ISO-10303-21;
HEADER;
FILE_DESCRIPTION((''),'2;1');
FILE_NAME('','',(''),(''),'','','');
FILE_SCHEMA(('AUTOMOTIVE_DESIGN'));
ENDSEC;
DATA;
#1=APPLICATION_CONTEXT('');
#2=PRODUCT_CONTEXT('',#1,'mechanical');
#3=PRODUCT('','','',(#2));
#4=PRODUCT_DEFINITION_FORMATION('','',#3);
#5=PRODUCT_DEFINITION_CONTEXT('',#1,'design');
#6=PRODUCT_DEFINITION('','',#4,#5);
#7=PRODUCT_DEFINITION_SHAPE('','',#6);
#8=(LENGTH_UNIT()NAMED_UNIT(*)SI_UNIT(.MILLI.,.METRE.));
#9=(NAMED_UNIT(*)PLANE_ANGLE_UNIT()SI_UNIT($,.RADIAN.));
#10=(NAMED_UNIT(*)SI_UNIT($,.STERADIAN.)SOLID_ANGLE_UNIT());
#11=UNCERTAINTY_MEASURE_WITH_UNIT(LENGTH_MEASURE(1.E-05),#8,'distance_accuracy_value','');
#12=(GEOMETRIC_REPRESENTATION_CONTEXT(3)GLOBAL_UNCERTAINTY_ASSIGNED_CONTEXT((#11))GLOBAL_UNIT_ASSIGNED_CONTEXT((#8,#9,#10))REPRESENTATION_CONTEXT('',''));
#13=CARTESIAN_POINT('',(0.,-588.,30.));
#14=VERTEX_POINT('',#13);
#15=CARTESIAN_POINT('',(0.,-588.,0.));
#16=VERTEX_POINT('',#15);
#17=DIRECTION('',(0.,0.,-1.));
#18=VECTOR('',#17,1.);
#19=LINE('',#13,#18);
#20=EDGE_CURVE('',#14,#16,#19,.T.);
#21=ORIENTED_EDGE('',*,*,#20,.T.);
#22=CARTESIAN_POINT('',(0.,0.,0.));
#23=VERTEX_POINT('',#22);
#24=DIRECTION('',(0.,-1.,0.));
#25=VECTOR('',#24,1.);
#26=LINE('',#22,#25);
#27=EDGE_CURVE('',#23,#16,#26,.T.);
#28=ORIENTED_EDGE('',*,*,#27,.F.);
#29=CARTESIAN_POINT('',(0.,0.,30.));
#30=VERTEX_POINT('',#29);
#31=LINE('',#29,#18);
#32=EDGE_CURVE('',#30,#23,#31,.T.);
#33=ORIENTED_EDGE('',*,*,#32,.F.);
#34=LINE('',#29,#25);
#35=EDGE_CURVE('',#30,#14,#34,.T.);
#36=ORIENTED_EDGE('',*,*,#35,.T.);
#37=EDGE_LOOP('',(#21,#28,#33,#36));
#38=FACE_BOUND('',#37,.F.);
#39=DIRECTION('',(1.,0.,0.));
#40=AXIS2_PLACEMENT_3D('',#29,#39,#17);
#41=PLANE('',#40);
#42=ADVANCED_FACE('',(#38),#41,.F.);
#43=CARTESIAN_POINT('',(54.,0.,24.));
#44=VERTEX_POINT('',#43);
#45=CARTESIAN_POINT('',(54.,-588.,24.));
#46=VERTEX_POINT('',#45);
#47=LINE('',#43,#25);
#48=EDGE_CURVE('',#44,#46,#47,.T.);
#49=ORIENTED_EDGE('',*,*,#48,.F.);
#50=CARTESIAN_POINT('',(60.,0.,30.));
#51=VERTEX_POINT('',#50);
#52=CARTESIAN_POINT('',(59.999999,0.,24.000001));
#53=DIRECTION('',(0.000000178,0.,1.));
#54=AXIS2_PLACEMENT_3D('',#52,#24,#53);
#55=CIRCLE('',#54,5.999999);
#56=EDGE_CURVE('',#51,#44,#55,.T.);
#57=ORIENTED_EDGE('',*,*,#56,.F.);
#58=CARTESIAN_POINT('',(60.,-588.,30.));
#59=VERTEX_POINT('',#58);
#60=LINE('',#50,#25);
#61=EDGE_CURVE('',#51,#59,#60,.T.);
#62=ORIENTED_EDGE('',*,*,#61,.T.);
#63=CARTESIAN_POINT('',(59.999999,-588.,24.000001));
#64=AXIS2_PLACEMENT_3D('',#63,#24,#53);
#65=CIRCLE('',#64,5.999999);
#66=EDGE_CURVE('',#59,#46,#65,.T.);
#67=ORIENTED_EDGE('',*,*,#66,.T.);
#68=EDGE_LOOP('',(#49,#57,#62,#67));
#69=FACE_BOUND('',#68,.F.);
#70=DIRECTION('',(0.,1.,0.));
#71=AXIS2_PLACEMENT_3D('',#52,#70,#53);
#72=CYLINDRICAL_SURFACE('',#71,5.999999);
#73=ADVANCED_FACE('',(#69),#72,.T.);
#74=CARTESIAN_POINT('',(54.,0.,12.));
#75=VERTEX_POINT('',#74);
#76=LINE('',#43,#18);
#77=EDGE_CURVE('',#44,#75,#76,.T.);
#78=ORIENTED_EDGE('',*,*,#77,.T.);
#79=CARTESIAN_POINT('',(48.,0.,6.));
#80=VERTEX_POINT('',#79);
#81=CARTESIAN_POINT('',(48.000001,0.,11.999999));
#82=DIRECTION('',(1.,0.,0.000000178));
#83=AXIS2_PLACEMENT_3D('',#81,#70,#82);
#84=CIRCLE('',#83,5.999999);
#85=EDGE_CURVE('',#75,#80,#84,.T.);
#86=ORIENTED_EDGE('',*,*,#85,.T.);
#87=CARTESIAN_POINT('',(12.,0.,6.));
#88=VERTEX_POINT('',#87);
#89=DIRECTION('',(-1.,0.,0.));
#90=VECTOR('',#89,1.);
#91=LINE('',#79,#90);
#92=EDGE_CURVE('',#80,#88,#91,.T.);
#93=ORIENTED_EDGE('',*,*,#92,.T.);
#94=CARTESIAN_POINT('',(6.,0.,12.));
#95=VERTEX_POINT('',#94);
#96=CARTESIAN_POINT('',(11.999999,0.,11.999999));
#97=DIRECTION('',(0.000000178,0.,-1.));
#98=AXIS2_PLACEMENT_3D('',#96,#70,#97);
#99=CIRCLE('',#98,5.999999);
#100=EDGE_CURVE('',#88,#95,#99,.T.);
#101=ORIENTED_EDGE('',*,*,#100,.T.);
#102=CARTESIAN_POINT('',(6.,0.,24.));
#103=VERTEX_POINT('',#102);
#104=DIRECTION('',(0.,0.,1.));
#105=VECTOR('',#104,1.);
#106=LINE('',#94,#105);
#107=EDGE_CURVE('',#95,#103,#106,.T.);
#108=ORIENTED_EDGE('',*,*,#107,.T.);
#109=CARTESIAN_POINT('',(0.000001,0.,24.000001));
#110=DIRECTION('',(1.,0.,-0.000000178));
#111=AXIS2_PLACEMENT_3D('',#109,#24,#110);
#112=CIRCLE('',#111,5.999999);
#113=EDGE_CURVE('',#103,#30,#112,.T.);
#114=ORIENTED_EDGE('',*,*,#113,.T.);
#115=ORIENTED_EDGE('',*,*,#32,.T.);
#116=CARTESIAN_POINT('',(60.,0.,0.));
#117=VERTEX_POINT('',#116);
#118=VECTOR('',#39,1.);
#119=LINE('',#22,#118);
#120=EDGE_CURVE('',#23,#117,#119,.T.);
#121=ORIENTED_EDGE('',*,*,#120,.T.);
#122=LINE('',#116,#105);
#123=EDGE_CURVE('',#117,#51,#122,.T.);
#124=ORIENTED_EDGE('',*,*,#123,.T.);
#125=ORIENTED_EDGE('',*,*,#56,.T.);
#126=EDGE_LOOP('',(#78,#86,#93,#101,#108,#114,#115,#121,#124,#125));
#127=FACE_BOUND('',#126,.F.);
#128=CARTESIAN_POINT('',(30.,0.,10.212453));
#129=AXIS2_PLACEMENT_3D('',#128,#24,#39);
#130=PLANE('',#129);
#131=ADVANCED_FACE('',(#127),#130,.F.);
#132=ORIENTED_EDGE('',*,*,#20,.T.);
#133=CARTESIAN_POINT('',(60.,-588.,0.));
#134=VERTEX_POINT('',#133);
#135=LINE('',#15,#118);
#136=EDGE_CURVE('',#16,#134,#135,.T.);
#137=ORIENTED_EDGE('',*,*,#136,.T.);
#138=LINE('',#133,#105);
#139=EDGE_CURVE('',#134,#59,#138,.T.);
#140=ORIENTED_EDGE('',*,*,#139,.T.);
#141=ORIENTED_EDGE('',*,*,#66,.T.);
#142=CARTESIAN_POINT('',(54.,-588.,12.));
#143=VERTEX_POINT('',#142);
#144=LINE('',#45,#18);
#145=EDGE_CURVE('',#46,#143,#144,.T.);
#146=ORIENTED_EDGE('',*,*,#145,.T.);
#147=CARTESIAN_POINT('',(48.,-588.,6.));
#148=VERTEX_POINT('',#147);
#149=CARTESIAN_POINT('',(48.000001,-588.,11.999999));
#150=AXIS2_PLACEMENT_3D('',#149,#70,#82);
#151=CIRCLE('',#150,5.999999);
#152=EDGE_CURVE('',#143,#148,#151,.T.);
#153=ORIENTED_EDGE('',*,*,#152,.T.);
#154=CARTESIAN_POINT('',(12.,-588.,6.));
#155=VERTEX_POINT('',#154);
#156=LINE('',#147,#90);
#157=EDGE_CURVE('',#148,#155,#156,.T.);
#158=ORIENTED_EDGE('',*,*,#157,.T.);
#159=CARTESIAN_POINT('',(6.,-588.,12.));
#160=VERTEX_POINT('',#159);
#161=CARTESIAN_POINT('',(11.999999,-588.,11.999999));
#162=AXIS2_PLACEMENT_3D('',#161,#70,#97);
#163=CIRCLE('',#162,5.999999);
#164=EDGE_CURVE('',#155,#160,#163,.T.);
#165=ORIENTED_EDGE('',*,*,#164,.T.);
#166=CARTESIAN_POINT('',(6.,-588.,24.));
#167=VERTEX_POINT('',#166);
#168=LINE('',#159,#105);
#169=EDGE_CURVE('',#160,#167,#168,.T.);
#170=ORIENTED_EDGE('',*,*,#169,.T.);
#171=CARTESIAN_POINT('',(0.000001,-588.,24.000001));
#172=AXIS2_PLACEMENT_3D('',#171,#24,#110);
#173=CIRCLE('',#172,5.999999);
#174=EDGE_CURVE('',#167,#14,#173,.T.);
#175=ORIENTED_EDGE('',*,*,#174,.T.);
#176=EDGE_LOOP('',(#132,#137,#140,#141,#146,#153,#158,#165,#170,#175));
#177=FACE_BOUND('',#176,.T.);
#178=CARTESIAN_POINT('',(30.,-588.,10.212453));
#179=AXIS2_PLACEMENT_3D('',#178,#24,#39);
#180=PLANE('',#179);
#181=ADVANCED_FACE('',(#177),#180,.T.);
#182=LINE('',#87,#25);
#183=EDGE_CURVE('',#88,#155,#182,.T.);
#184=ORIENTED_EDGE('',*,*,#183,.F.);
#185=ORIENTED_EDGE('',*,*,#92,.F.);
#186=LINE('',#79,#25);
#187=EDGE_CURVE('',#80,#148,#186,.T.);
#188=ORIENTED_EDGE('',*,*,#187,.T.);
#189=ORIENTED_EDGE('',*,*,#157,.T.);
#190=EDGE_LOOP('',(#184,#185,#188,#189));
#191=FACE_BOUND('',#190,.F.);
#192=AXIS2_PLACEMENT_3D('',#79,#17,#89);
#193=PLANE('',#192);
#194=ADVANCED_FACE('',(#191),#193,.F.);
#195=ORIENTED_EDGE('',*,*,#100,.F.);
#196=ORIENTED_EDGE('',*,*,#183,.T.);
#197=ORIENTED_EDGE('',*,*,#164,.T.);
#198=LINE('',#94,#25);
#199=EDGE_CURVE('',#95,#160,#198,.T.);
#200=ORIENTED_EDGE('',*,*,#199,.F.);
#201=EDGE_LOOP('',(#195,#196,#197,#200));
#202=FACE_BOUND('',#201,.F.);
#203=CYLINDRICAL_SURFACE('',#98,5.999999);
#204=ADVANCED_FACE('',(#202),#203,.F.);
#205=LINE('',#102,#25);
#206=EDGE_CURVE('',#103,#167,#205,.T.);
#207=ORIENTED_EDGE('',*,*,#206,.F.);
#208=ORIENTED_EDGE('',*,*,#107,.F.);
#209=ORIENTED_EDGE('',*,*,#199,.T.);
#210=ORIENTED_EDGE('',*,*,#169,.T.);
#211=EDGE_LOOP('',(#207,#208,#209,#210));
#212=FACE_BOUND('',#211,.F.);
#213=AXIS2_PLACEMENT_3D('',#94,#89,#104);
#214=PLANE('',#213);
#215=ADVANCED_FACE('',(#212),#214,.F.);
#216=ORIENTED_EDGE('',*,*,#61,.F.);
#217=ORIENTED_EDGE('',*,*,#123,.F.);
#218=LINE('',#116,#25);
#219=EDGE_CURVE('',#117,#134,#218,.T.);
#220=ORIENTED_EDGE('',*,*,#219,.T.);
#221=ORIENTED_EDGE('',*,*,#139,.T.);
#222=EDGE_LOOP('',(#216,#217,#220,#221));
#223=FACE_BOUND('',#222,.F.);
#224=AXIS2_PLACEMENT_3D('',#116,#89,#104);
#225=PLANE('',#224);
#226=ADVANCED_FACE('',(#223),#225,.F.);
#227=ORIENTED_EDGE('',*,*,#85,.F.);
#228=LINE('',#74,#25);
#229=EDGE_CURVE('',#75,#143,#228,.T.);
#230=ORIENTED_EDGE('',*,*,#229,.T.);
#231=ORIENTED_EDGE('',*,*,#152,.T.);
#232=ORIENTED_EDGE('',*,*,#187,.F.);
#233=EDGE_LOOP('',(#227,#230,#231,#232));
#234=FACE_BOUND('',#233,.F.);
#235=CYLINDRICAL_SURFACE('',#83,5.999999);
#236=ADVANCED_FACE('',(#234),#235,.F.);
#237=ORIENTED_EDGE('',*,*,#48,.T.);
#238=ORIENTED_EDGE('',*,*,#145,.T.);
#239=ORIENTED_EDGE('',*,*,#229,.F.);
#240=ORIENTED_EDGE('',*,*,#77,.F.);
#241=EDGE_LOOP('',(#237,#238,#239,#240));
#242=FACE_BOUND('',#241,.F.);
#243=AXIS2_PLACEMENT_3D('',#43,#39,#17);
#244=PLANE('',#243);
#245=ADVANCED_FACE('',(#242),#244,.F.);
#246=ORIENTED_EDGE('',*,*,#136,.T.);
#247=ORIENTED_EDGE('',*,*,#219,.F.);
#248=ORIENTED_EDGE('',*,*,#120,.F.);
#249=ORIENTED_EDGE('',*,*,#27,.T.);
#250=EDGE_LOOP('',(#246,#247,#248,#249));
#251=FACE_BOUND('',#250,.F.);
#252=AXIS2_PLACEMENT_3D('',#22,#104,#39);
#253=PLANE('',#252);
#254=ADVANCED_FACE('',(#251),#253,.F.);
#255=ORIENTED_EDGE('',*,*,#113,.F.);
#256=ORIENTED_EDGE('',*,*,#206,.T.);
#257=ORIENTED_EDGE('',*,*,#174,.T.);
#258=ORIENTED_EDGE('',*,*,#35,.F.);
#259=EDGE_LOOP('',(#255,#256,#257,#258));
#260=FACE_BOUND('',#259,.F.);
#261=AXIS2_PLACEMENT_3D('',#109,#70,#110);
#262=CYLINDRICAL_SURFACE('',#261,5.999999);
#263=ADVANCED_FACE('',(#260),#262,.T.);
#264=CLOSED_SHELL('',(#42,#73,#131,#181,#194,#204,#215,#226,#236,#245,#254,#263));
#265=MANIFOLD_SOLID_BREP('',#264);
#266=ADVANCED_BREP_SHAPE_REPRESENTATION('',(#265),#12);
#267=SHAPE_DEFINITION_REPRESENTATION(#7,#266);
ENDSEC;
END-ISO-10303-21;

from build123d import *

# Parameters (mm, degrees)
F1_DEPTH = 588


with BuildPart() as f1:
    # F0 (on Front) → F1 (new body)
    with BuildSketch(Plane.XZ):
        with BuildLine():
            Line((0, 30), (0, 0))
            Line((0, 0), (60, 0))
            Line((60, 0), (60, 30))
            ThreePointArc((60, 30), (55.757359, 28.242641), (54, 24))
            Line((54, 24), (54, 12))
            ThreePointArc((54, 12), (52.242641, 7.757359), (48, 6))
            Line((48, 6), (12, 6))
            ThreePointArc((12, 6), (7.757359, 7.757359), (6, 12))
            Line((6, 12), (6, 24))
            ThreePointArc((6, 24), (4.242641, 28.242641), (0, 30))
        make_face()
    extrude(amount=F1_DEPTH)


solid = f1.part
